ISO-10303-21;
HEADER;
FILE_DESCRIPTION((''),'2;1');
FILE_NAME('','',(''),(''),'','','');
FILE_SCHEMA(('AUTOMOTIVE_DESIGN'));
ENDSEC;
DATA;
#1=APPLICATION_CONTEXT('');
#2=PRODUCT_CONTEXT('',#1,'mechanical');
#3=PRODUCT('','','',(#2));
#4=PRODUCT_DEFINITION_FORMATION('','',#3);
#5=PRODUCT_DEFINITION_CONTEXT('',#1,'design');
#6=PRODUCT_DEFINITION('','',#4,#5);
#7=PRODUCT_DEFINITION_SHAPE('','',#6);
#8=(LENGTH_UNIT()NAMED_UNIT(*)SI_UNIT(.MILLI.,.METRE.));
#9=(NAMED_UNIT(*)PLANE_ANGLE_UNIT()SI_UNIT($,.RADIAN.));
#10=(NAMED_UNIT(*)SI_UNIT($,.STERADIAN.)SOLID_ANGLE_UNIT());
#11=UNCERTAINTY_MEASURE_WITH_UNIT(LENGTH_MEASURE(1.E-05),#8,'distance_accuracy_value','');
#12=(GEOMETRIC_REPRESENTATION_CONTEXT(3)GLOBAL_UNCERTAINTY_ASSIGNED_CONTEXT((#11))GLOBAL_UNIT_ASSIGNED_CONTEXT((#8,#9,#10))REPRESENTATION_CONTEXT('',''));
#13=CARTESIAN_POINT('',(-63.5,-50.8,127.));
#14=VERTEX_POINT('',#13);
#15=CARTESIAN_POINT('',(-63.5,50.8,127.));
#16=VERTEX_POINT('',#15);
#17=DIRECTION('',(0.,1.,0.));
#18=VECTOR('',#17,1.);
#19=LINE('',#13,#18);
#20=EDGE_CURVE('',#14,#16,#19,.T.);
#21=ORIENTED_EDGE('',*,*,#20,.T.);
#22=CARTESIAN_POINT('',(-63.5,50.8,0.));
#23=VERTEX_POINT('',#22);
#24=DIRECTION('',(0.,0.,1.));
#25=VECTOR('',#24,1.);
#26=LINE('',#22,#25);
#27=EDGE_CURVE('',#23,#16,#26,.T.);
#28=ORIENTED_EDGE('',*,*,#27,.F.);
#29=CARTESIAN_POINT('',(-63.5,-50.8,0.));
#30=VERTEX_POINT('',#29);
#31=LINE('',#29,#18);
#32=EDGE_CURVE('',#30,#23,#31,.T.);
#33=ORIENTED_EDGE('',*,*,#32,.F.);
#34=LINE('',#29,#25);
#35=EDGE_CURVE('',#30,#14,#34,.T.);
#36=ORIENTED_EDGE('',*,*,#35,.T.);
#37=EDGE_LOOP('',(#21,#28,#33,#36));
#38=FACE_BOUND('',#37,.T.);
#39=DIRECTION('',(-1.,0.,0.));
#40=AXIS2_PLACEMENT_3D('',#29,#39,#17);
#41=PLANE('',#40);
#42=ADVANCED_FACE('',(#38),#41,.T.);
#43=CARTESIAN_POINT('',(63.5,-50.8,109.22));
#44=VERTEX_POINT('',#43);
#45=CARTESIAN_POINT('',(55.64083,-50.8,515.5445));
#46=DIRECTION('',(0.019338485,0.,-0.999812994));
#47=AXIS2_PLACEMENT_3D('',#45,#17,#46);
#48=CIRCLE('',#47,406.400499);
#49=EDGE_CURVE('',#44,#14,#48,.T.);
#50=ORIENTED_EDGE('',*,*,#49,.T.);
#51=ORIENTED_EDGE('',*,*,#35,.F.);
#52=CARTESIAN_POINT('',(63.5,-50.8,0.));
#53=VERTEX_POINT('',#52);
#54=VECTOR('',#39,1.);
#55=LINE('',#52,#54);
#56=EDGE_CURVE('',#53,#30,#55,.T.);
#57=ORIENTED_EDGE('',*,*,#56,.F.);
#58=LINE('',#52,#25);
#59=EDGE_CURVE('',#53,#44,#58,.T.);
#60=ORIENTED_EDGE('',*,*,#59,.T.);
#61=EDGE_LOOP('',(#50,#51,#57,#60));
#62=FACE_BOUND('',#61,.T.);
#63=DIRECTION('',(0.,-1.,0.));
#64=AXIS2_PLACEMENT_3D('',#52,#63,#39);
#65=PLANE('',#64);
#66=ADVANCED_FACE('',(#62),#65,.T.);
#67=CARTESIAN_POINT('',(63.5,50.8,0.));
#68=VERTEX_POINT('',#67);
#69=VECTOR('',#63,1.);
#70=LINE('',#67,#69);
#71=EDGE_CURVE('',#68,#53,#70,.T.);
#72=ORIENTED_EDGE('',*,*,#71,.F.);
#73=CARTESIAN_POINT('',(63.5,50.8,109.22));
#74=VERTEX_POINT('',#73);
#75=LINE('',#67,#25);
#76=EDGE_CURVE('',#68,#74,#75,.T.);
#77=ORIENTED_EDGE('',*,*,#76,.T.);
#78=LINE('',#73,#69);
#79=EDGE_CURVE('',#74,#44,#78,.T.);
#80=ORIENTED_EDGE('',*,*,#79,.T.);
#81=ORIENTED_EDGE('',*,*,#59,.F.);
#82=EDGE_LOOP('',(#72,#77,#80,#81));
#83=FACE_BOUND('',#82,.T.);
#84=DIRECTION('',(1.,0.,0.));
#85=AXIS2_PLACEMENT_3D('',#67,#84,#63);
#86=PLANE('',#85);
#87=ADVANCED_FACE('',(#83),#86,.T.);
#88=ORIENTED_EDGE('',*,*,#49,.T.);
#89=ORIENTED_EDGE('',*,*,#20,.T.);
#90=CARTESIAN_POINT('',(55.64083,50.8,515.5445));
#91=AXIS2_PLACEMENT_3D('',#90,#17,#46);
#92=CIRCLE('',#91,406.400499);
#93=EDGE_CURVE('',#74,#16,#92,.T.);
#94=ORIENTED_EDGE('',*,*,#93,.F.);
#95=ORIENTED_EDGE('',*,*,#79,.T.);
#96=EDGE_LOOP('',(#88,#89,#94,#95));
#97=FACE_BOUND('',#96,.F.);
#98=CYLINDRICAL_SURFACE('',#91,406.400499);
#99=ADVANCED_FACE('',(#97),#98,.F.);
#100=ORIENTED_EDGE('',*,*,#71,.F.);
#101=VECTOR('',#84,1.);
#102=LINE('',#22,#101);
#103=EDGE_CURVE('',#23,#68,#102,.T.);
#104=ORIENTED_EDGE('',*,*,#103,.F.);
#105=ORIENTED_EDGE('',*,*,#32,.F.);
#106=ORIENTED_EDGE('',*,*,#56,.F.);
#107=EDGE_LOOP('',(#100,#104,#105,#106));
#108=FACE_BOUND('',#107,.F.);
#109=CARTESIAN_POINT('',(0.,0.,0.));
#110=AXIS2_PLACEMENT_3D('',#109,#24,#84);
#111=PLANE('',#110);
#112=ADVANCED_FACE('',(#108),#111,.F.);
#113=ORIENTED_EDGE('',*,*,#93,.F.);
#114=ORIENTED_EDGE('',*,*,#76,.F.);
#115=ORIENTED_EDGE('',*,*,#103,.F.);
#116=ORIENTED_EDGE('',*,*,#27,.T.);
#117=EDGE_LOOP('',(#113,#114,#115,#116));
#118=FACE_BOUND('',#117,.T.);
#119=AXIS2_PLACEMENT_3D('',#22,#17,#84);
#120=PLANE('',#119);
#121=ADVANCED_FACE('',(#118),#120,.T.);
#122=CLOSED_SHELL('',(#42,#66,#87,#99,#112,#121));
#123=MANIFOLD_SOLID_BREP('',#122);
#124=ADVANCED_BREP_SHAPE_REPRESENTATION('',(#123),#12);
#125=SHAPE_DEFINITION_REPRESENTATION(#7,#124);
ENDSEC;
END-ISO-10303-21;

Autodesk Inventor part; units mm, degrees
ref_plane "YZ Plane" through (0, 0, 0) normal (1, 0, 0) x (0, 1, 0)
ref_plane "XZ Plane" through (0, 0, 0) normal (0, 1, 0) x (-1, 0, 0)
ref_plane "XY Plane" through (0, 0, 0) normal (0, 0, 1) x (1, 0, 0)
sketch "Sketch1" plane through (0, 0, 0) normal (0, 0, 1) x (1, 0, 0)
  line L0 (-63.5, 50.8) -> (63.5, 50.8)
  line L1 (63.5, 50.8) -> (63.5, -50.8)
  line L2 (63.5, -50.8) -> (-63.5, -50.8)
  line L3 (-63.5, -50.8) -> (-63.5, 50.8)
  line L4 (-63.5, 50.8) -> (63.5, -50.8) construction
  line L5 (63.5, 50.8) -> (-63.5, -50.8) construction
  point P0 (0, 0)
  dimension "d0" = 101.6
  dimension "d1" = 127
extrude "Extrusion1" add sketch "Sketch1" along normal blind 127
sketch "Sketch2" plane through (-63.5, 50.8, 0) normal (0, 1, 0) x (1, 0, 0)
  arc A0 (127, -109.22) -> (0, -127) centre (119.1408, -515.544) ccw
  line L0 (127, -127) -> (0, -127) projected
  line L1 (127, 0) -> (127, -127) projected
  line L2 (127, -109.22) -> (127, -127)
  line L3 (127, -127) -> (0, -127)
  point P0 (63.5, 0)
  dimension "d4" = 406.4
  dimension "d5" = 17.78
extrude "Extrusion2" cut sketch "Sketch2" against normal through all
properties part number "3DPRINT,BLOCK,LEFT"
